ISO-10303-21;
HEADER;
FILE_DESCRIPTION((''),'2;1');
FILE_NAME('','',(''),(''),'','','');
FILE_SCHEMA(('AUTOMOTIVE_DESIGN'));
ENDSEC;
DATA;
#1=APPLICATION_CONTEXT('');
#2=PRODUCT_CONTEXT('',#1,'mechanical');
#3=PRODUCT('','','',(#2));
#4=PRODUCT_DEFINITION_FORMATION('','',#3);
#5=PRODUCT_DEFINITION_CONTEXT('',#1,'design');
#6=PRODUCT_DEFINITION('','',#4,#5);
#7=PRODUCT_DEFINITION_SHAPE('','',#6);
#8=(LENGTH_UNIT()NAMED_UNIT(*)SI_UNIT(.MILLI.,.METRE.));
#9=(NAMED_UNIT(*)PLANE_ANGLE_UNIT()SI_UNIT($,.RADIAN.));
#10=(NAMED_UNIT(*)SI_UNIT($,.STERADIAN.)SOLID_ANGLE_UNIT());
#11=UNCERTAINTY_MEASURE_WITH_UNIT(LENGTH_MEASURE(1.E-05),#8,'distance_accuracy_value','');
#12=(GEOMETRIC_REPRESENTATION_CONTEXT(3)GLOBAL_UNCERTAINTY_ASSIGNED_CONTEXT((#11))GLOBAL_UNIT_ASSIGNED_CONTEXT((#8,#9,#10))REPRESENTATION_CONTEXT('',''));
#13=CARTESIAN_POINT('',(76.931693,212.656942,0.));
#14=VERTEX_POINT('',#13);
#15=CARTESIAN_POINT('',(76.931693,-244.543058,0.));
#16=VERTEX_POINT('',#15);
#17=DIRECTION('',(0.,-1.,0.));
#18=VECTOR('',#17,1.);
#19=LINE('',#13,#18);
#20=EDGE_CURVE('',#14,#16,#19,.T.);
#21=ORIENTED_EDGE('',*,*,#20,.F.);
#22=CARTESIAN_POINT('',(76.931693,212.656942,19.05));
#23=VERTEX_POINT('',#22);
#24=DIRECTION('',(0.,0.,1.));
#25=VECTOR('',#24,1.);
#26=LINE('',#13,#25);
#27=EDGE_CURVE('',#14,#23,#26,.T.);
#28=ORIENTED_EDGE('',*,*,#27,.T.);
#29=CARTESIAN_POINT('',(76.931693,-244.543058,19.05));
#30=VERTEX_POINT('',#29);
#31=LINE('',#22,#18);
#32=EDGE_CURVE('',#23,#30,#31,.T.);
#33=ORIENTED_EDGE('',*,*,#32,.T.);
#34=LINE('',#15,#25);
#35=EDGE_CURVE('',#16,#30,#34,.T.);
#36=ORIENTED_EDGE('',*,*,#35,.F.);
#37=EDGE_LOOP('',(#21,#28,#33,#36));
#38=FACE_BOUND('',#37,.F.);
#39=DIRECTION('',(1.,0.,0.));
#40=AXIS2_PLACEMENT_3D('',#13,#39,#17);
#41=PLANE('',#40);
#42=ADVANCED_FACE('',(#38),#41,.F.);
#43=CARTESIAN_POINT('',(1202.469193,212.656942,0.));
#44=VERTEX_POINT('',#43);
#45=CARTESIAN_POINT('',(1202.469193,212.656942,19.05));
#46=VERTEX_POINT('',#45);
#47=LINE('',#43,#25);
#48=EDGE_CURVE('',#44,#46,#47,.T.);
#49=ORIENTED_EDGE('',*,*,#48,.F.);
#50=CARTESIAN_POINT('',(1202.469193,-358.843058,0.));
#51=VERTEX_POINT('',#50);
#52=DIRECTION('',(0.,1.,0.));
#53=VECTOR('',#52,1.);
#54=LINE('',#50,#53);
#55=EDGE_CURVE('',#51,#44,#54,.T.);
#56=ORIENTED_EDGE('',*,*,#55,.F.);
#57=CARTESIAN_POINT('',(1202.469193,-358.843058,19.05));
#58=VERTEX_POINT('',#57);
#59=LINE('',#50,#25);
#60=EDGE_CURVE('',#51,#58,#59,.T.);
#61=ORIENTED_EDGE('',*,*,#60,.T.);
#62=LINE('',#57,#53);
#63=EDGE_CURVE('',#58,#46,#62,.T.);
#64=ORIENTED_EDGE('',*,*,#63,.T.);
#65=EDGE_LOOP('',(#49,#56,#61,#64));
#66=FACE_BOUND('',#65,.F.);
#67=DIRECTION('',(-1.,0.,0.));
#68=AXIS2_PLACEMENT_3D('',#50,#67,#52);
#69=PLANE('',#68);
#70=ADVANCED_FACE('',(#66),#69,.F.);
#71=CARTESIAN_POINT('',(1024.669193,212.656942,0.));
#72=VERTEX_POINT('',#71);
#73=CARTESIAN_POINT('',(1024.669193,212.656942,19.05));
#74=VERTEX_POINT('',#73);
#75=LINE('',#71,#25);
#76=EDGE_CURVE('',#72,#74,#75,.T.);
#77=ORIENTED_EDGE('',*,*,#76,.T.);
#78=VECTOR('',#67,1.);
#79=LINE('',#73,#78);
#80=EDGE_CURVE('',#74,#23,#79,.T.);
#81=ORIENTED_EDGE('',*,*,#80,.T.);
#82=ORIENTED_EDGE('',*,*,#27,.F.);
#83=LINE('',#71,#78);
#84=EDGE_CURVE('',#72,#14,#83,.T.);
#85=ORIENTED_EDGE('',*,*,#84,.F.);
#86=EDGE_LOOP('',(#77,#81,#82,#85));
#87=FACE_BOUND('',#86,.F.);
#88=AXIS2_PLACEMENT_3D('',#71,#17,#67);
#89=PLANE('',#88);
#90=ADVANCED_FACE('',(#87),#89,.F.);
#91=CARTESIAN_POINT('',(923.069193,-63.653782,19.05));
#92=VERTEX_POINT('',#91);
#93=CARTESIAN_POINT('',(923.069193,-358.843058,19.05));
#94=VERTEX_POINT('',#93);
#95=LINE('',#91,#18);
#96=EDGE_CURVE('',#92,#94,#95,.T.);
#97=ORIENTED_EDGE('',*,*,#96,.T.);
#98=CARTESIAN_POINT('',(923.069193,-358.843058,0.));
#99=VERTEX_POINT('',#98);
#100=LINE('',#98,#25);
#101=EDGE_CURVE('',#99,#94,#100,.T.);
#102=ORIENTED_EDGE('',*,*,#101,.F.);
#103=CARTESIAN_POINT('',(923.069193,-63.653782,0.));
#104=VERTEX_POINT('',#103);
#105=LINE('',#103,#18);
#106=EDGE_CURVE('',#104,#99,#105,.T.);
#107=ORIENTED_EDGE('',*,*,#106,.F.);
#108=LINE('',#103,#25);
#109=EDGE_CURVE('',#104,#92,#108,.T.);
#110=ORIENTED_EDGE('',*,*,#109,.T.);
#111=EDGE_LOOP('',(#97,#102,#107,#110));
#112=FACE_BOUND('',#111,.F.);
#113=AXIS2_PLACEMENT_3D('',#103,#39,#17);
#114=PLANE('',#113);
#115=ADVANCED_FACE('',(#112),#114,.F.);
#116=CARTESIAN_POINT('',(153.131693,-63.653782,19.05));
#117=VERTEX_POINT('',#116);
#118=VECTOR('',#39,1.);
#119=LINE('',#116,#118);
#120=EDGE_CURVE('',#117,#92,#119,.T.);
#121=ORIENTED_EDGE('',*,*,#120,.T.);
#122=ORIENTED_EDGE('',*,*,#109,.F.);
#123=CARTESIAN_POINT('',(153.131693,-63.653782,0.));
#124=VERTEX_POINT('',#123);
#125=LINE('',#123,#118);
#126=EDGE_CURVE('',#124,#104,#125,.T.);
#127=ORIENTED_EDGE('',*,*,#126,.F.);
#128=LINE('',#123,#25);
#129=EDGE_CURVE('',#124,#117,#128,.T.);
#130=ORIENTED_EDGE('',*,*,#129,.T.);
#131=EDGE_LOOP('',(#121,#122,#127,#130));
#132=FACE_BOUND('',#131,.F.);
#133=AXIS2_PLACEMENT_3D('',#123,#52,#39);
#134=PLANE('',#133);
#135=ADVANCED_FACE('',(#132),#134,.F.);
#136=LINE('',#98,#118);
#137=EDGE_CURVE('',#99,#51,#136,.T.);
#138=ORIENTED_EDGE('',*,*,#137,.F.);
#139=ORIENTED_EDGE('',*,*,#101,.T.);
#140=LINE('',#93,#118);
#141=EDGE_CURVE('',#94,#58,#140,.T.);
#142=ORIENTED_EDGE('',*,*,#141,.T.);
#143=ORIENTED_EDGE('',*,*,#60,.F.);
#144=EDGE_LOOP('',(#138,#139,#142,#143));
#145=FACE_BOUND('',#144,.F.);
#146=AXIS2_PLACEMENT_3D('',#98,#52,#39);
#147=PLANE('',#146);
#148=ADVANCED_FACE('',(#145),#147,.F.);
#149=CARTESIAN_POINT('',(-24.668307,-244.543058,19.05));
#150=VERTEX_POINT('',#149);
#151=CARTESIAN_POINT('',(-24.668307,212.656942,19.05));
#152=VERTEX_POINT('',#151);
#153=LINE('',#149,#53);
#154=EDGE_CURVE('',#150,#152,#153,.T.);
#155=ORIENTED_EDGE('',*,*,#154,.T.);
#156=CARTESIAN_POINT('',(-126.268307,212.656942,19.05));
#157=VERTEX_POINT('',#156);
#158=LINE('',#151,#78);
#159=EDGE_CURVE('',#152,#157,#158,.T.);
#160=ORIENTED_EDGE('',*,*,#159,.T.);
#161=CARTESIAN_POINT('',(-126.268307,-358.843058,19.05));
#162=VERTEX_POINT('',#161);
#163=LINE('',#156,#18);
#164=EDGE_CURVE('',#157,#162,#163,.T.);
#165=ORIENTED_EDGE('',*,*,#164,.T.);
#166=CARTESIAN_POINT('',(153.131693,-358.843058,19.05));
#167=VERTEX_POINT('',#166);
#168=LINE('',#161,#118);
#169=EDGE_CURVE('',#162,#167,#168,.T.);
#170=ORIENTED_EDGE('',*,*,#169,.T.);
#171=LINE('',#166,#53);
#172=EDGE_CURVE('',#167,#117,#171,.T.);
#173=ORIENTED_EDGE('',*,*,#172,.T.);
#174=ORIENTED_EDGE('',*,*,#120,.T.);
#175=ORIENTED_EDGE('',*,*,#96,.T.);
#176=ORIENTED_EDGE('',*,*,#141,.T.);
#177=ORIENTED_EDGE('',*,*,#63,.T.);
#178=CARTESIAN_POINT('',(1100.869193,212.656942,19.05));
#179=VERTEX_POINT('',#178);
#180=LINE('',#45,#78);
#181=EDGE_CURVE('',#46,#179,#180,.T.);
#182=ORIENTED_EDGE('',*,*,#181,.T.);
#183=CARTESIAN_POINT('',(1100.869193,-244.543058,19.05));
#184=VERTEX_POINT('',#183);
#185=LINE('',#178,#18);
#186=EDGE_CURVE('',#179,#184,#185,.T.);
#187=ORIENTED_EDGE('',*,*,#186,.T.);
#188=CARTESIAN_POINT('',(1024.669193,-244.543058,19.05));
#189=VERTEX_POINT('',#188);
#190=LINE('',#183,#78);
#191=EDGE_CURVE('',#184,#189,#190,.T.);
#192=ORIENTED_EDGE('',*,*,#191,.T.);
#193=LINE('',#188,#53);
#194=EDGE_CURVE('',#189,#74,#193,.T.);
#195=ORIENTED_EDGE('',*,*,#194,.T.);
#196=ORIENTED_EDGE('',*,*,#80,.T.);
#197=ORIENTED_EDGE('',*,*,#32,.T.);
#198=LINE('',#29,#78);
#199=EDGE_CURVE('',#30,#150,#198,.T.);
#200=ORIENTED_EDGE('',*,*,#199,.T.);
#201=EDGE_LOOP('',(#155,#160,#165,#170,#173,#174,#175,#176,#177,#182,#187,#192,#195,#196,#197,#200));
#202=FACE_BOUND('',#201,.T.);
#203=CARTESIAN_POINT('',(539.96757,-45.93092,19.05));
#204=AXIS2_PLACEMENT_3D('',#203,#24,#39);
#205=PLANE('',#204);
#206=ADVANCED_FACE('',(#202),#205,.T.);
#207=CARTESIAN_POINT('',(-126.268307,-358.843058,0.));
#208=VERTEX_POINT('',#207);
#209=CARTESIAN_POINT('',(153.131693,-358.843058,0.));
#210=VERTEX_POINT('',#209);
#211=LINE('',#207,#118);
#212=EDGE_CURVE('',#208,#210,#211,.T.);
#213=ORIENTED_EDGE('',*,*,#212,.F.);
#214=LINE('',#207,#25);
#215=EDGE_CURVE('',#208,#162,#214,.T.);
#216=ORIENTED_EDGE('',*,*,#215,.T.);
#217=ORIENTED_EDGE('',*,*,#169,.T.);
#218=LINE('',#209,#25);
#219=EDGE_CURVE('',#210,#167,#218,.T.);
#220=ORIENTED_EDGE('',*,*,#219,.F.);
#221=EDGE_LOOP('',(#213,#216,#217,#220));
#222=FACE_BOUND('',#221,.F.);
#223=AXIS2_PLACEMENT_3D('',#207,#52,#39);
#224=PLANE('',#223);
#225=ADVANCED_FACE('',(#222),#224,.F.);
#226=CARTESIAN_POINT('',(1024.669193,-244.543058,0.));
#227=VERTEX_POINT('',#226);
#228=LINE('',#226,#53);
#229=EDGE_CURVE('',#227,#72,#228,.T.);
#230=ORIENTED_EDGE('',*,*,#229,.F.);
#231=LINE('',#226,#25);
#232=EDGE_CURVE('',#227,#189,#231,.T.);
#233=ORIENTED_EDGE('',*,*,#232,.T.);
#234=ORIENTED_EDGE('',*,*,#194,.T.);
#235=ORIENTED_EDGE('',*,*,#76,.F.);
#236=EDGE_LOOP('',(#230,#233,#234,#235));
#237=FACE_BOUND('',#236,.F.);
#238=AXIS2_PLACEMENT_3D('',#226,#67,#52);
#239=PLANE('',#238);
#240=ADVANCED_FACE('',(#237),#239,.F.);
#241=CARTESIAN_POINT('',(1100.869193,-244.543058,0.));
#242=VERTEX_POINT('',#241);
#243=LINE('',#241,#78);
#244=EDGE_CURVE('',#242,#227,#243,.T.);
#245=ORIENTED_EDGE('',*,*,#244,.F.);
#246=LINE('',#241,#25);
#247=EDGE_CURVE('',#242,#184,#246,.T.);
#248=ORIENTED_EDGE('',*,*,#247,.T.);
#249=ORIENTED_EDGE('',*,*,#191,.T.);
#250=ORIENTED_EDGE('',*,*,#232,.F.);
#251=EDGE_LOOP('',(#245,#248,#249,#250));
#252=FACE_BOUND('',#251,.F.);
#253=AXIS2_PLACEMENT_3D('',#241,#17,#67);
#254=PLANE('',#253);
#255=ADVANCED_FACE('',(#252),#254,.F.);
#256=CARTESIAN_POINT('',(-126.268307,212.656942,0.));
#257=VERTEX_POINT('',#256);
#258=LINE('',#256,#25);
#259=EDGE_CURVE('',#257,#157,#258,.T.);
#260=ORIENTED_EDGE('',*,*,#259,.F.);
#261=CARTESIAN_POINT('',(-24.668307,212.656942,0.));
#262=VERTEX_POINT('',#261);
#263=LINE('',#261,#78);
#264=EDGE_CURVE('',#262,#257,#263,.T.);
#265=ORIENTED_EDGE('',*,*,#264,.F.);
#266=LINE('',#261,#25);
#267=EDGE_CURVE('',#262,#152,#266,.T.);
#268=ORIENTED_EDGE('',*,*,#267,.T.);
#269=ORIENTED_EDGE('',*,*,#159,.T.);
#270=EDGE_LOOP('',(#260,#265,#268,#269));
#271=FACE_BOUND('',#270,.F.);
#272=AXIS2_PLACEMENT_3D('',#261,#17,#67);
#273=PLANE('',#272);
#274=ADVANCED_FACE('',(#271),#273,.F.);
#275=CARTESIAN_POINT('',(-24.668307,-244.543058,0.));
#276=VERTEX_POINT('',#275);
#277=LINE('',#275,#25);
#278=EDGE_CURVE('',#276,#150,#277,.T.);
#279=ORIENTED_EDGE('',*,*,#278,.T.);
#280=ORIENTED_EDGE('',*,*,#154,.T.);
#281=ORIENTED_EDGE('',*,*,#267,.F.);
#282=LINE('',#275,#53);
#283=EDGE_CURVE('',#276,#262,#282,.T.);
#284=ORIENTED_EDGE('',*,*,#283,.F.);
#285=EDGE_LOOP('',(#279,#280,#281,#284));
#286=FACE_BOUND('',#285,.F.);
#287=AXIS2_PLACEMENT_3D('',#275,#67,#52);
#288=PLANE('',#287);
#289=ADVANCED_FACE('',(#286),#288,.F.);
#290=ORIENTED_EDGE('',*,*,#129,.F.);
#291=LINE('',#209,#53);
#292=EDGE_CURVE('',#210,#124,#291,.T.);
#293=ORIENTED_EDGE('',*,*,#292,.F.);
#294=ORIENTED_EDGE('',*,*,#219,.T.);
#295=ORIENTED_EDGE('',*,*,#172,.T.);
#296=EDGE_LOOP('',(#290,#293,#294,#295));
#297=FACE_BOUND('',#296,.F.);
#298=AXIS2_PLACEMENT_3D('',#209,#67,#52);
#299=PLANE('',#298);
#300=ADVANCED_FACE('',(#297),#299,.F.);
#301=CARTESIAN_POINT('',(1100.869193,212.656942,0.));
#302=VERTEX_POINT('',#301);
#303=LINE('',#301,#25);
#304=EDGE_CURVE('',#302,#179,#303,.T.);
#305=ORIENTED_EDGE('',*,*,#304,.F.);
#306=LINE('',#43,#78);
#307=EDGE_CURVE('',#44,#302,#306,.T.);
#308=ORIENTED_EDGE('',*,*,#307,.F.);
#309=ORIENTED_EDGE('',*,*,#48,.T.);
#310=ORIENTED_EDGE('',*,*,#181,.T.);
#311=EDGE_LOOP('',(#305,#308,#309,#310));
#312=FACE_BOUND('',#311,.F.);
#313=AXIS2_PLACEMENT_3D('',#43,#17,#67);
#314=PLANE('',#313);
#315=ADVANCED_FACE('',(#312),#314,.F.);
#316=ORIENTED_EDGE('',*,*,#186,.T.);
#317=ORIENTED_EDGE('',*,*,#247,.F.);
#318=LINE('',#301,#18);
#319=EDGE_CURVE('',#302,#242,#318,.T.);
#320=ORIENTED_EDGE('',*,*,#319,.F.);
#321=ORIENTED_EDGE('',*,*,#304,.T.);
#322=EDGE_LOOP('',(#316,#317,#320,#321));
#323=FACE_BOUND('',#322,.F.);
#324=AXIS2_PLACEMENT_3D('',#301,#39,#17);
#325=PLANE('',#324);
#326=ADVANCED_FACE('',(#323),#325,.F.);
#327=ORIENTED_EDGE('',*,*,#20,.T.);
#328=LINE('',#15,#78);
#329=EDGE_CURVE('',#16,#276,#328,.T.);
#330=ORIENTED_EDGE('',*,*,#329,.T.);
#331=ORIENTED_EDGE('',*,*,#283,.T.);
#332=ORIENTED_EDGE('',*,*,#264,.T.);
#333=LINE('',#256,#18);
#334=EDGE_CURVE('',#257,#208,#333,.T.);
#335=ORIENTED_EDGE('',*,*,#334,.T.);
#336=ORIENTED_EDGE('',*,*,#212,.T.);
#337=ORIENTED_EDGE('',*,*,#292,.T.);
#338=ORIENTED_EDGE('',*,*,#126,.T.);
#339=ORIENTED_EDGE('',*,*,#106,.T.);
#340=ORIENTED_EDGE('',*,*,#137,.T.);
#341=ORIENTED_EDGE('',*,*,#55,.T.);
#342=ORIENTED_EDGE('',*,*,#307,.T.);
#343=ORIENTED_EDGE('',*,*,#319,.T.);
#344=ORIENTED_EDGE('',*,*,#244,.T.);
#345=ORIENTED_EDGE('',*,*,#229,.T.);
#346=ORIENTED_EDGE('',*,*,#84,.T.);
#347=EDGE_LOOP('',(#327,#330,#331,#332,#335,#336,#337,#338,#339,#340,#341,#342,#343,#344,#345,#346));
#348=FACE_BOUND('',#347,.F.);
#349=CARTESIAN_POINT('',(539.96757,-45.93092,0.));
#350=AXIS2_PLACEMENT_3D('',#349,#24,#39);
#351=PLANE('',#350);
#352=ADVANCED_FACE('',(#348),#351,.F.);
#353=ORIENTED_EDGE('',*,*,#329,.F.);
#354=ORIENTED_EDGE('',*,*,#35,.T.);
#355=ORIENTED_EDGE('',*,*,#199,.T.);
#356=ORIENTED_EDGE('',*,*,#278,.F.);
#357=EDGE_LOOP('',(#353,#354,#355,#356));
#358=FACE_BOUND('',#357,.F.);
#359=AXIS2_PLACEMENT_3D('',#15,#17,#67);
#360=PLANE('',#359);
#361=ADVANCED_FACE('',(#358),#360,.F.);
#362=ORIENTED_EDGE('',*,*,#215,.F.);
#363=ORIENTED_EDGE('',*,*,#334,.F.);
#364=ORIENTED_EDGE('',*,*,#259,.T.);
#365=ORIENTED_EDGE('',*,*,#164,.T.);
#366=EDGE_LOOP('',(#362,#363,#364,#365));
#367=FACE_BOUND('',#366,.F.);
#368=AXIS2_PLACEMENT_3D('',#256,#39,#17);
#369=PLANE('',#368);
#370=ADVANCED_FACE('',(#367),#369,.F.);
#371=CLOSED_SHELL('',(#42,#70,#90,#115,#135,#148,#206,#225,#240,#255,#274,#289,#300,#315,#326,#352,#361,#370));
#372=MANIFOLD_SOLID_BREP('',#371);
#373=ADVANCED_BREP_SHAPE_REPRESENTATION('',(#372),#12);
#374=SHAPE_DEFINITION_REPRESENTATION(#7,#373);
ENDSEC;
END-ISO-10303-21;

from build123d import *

# Parameters (mm, degrees)
F1_DEPTH = 19.05


with BuildPart() as f1:
    # F0 (on Top) → F1 (new body)
    with BuildSketch(Plane.XY):
        Polygon((-24.668307, 212.656942), (-126.268307, 212.656942), (-126.268307, -358.843058), (153.131693, -358.843058), (153.131693, -63.653782), (923.069193, -63.653782), (923.069193, -358.843058), (1202.469193, -358.843058), (1202.469193, 212.656942), (1100.869193, 212.656942), (1100.869193, -244.543058), (1024.669193, -244.543058), (1024.669193, 212.656942), (76.931693, 212.656942), (76.931693, -244.543058), (-24.668307, -244.543058), align=None)
    extrude(amount=F1_DEPTH)


solid = f1.part
